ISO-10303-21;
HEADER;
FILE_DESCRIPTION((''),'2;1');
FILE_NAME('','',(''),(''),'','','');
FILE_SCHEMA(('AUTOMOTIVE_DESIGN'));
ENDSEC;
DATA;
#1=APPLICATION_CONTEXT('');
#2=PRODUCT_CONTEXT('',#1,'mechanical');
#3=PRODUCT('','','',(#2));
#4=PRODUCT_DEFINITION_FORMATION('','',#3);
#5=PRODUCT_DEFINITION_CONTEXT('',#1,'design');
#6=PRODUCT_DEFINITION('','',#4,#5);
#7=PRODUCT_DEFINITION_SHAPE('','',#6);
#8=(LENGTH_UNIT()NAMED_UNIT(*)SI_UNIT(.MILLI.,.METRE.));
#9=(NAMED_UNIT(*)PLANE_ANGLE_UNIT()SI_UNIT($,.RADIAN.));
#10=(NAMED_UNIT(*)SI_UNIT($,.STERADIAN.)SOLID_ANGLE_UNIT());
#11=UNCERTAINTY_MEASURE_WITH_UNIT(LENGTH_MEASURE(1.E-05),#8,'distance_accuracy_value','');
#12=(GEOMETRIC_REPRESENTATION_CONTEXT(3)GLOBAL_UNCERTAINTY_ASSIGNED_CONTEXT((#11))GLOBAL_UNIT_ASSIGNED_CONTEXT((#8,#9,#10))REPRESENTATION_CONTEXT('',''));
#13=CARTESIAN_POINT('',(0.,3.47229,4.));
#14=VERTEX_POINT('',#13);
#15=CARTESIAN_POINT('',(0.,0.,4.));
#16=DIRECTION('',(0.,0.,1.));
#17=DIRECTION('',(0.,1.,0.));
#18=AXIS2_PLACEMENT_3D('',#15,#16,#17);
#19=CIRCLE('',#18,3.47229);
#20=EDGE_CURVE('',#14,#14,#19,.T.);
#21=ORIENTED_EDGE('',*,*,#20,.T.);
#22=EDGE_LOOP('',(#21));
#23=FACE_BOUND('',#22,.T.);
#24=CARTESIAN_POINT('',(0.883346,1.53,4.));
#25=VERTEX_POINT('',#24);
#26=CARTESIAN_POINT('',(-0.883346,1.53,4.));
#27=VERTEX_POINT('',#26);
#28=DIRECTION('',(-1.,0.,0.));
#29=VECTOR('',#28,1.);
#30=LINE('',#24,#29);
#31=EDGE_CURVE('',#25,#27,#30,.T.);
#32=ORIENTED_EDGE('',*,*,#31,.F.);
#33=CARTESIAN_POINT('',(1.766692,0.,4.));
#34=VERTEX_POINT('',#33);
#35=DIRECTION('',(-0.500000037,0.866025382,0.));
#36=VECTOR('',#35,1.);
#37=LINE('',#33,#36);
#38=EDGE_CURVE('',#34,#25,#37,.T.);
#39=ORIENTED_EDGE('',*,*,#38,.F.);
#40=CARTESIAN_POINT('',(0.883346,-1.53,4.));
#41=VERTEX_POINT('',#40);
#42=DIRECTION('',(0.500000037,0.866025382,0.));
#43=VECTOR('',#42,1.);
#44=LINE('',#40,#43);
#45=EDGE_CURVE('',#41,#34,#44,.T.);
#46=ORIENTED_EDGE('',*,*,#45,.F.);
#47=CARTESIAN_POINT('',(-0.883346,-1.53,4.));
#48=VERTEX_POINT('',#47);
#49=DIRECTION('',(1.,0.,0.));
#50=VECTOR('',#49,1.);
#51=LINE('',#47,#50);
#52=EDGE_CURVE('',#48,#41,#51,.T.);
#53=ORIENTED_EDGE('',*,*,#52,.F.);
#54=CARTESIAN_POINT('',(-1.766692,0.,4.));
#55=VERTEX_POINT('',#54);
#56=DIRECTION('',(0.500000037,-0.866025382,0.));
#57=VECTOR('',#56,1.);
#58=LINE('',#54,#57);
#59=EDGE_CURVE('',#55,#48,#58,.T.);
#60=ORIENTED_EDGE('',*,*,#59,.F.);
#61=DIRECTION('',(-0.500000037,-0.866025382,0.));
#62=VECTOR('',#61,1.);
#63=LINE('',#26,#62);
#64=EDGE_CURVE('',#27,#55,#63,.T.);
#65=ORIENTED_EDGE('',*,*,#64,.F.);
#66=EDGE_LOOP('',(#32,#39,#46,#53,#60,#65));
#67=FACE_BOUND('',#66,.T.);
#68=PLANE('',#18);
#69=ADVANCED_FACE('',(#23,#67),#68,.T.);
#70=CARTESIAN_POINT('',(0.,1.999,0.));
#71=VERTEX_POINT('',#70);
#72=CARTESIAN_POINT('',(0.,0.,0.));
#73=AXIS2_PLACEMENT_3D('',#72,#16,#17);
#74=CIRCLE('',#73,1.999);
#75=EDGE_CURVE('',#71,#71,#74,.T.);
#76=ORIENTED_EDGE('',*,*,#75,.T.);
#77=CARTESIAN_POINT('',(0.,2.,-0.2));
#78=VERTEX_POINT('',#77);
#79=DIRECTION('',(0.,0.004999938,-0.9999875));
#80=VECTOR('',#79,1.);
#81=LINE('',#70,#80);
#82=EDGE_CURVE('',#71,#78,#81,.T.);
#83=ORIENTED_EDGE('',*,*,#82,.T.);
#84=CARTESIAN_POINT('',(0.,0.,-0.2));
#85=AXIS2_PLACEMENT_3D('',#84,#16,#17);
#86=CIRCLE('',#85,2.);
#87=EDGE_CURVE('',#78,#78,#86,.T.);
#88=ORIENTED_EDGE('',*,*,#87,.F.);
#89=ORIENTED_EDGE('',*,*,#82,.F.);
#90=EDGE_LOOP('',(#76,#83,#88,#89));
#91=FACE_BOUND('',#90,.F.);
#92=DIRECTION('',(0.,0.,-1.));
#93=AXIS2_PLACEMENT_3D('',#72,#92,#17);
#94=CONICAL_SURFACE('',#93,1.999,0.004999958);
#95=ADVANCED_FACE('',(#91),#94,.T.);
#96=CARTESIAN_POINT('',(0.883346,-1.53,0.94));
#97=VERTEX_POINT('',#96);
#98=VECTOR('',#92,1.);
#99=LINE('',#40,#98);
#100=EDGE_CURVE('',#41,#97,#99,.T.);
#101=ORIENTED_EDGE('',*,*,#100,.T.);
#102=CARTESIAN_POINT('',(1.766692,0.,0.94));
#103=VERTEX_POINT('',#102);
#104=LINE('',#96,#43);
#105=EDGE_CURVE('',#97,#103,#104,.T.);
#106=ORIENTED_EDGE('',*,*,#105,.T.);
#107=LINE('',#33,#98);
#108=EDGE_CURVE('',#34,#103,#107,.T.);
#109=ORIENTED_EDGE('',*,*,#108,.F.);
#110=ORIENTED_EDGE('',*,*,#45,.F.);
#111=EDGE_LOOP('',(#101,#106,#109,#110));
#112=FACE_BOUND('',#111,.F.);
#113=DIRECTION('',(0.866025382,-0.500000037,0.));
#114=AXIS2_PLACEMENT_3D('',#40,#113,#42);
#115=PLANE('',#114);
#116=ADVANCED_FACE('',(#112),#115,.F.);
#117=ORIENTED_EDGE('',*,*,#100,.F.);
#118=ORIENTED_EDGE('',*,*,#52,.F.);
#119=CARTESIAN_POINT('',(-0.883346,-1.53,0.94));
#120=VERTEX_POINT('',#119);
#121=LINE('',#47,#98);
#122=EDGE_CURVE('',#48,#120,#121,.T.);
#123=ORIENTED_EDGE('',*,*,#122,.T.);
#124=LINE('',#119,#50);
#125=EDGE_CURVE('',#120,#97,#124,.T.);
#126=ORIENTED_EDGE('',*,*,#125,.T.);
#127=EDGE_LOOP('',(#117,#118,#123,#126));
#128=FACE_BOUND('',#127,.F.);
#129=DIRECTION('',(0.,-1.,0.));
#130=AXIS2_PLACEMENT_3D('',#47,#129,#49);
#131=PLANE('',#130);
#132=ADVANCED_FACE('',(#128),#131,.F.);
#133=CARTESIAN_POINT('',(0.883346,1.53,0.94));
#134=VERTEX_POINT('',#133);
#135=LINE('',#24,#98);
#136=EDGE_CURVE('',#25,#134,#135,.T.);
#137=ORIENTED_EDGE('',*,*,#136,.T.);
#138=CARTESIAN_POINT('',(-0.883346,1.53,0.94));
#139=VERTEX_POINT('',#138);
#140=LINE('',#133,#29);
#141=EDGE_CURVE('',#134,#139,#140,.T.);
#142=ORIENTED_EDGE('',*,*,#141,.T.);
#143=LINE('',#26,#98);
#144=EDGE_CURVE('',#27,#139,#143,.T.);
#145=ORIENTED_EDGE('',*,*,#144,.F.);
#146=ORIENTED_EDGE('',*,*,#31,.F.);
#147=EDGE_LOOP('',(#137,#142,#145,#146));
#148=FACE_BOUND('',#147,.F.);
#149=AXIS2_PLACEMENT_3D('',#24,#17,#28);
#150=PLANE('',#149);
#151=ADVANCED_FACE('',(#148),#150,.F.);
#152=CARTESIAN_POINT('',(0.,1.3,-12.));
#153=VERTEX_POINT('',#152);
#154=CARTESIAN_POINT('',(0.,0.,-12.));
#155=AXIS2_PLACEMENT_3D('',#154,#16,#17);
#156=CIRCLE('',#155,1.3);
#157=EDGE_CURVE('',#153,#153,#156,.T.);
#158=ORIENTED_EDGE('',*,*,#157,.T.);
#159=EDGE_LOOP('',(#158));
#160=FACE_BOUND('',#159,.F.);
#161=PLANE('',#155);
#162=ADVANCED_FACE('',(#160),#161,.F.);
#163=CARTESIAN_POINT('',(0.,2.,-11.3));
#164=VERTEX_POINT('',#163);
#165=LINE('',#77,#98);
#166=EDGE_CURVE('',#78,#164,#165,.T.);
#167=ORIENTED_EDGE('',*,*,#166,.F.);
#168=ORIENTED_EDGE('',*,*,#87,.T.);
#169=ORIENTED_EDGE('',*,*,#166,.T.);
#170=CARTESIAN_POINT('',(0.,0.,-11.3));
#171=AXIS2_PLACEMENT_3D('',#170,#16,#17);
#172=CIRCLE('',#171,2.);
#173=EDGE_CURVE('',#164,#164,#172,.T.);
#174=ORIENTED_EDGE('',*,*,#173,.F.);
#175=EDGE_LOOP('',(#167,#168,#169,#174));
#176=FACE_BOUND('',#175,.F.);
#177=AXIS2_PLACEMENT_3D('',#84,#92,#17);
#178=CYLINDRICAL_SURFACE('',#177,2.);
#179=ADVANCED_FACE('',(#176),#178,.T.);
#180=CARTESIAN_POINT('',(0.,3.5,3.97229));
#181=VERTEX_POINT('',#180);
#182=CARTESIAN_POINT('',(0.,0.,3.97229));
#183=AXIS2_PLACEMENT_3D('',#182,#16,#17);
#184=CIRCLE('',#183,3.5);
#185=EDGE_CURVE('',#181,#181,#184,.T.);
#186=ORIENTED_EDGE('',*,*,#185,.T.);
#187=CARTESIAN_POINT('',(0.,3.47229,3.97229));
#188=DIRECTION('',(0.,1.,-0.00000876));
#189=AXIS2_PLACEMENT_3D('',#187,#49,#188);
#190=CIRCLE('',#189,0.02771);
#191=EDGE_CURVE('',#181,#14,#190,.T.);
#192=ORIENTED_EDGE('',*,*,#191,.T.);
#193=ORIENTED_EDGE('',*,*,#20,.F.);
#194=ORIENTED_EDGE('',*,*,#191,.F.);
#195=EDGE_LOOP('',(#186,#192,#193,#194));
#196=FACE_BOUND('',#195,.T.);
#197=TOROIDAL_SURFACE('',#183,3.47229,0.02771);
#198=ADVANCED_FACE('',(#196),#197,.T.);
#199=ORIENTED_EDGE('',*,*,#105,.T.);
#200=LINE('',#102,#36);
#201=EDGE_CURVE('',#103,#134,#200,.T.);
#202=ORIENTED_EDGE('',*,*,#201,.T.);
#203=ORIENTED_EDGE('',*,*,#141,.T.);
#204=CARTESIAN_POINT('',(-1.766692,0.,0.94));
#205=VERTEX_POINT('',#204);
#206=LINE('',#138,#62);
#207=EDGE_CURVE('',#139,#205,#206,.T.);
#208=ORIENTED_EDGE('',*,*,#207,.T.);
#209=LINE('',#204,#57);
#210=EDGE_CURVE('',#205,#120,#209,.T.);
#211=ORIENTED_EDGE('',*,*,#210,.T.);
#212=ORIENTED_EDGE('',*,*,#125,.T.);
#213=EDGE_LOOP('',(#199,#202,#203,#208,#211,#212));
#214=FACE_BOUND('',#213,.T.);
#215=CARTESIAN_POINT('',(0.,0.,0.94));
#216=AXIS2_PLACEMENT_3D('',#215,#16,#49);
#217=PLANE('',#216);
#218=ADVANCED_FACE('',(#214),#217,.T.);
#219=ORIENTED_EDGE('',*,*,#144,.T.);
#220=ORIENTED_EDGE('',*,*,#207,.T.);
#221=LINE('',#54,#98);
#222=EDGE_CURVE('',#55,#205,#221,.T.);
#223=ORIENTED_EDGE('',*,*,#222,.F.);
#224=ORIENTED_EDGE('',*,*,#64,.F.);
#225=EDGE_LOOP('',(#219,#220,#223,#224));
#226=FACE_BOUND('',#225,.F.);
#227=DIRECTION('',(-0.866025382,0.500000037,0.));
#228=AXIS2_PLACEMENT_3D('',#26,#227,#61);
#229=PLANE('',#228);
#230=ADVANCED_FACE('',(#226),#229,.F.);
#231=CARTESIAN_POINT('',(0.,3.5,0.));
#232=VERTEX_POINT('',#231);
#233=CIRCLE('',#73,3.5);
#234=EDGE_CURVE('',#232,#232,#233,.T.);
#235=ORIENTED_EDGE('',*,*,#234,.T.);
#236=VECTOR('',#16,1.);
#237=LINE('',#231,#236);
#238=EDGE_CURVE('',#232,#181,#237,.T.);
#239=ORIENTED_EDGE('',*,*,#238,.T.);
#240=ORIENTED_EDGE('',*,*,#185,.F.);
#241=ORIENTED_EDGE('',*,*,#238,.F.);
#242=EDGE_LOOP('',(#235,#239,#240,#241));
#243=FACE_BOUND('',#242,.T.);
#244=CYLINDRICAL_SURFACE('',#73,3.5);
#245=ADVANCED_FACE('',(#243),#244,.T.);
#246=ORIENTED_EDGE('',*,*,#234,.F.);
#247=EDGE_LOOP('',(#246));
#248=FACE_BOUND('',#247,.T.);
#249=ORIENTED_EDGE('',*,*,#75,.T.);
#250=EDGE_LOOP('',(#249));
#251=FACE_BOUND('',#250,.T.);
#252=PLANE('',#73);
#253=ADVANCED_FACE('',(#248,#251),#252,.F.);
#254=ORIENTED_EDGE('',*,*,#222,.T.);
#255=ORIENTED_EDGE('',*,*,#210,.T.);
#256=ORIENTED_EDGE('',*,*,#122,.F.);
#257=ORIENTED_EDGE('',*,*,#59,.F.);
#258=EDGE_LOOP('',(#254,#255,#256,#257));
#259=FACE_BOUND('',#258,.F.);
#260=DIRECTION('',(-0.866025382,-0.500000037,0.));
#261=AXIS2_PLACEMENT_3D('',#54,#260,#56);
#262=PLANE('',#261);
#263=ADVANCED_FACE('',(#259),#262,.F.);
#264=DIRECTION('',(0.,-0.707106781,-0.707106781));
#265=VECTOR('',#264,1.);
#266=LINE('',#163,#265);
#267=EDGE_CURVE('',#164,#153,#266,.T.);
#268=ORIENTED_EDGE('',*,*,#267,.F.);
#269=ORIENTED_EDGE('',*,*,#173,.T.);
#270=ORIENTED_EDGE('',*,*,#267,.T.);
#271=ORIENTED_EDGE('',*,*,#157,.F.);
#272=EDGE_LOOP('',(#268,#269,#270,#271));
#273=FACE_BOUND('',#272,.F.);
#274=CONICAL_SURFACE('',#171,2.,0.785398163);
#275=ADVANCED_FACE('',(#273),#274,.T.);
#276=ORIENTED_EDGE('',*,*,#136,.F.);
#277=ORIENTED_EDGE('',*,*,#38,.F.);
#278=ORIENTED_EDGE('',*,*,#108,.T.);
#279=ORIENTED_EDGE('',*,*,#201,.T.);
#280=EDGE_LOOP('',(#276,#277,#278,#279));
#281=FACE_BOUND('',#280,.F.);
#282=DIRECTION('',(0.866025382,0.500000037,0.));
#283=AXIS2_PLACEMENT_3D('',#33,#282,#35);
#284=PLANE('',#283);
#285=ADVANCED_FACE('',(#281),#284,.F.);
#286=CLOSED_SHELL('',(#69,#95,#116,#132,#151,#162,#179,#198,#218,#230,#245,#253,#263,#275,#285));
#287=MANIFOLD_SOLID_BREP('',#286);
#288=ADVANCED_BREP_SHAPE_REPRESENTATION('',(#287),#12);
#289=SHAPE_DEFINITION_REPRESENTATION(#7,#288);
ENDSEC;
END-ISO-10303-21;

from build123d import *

# Parameters (mm, degrees)
POCKET_DEPTH = 3.06


with BuildPart() as part:
    # Sketch → Revolve (revolve)
    with BuildSketch(Plane.YZ):
        with BuildLine():
            Line((1.999, 0), (3.5, 0))
            Line((3.5, 0), (3.5, 3.97229))
            ThreePointArc((3.5, 3.97229), (3.491884, 3.991884), (3.47229, 4))
            Line((3.47229, 4), (0, 4))
            Line((0, -12), (0, 4))
            Line((1.3, -12), (0, -12))
            Line((2, -11.3), (1.3, -12))
            Line((2, -0.2), (2, -11.3))
            Line((1.999, 0), (2, -0.2))
        make_face()
    revolve(axis=Axis((0, 0, 0), (0, 0, 1)))

    # Sketch001 → Pocket (cut)
    with BuildSketch(Plane.XY.offset(4)):
        Polygon((1.766692, 0), (0.883346, 1.53), (-0.883346, 1.53), (-1.766692, 0), (-0.883346, -1.53), (0.883346, -1.53), align=None)
    extrude(amount=-POCKET_DEPTH, mode=Mode.SUBTRACT)


solid = part.part
